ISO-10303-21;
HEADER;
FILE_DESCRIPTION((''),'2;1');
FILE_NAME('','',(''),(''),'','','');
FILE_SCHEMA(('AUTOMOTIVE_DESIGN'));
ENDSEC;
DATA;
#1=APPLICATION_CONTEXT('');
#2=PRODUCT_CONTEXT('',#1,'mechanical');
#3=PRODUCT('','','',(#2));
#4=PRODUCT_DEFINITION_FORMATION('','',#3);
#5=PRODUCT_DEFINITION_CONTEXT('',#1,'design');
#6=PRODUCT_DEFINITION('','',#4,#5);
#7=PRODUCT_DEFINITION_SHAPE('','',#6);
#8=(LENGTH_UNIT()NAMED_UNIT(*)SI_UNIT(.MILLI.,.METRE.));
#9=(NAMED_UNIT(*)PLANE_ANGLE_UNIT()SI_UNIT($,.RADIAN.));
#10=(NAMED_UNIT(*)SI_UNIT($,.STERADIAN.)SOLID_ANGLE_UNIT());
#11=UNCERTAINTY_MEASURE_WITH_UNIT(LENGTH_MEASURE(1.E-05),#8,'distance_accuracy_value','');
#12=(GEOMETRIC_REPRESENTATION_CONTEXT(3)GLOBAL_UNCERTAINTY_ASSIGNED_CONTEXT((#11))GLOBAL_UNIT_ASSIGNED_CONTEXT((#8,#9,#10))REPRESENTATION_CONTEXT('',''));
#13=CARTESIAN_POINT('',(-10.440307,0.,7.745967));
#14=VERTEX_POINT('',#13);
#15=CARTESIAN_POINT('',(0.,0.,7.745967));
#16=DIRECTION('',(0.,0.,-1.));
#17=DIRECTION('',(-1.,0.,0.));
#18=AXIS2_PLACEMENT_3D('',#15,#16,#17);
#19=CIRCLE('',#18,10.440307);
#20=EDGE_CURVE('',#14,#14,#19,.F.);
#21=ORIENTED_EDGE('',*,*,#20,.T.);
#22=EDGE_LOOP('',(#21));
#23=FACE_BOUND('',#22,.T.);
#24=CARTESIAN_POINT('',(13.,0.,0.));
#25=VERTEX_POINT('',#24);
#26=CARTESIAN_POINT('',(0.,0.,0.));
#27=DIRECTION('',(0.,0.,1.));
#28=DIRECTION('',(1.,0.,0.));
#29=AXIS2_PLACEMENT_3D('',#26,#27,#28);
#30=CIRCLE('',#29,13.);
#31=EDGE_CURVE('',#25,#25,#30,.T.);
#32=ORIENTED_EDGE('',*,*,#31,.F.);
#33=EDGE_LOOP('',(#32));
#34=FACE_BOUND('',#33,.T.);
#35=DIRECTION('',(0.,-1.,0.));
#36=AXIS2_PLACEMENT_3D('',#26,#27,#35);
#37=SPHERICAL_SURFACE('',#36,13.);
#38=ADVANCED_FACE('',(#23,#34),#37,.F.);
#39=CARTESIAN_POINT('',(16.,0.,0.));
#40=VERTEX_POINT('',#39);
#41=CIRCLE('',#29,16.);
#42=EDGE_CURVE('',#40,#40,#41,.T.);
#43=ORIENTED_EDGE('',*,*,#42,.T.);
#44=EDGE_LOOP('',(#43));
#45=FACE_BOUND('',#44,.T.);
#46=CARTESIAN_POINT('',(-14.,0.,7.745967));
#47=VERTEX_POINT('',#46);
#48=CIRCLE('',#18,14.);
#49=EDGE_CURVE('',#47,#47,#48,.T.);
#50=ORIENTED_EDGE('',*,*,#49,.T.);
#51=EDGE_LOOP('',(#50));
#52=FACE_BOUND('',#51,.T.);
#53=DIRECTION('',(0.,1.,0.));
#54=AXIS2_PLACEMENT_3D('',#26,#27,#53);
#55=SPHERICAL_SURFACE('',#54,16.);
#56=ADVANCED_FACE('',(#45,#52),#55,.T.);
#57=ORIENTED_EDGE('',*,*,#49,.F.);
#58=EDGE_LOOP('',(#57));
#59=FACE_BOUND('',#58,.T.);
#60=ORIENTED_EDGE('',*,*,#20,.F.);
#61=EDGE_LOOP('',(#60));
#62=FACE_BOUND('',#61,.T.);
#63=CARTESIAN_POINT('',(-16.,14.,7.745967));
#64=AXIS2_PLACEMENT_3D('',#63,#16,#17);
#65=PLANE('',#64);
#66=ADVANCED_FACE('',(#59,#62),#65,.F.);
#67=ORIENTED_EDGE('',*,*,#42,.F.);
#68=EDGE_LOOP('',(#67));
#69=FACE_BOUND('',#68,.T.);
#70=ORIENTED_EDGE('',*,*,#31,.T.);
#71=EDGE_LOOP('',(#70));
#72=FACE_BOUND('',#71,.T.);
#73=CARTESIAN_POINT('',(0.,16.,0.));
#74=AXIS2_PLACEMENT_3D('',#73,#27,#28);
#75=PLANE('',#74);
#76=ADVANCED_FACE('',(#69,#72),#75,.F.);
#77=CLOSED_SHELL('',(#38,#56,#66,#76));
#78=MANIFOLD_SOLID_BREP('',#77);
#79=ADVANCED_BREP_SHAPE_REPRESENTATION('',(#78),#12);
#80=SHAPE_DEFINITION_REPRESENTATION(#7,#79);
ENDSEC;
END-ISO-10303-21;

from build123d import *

# Parameters (mm, degrees)
CORTE_EXTRUS_O1_DEPTH      = 28.712812921
CORTE_EXTRUS_O1_DEPTH_BACK = 28.712812921
ESBO_O2_W                  = 8.254033308
ESBO_O2_H                  = 28


with BuildPart() as part:
    # Esboço1 → Revolução1 (revolve)
    with BuildSketch(Plane(origin=(0, 0, 0), x_dir=(0, 0, -1), z_dir=(1, 0, 0)), mode=Mode.PRIVATE) as revolu_o1_sk:
        with BuildLine():
            Line((-16, 0), (-13, 0))
            ThreePointArc((-13, 0), (-9.192388155, 9.192388155), (0, 13))
            Line((0, 13), (0, 16))
            ThreePointArc((0, 16), (-11.313708499, 11.313708499), (-16, 0))
        make_face()
    revolve(revolu_o1_sk.sketch.rotate(Axis((0, 0, 16), (0, 0, -1)), 180), axis=Axis((0, 0, 16), (0, 0, -1)))

    # Esboço2 → Corte-extrusão1 (cut, two sides: drawn at the far end of the back side and taken through both)
    with BuildSketch(Plane(origin=(0, 0, 0), x_dir=(0, 0, -1), z_dir=(1, 0, 0)).offset(-CORTE_EXTRUS_O1_DEPTH_BACK)):
        with Locations((-11.872983346, 0)):
            Rectangle(ESBO_O2_W, ESBO_O2_H)
    extrude(amount=CORTE_EXTRUS_O1_DEPTH + CORTE_EXTRUS_O1_DEPTH_BACK, mode=Mode.SUBTRACT)


solid = part.part
